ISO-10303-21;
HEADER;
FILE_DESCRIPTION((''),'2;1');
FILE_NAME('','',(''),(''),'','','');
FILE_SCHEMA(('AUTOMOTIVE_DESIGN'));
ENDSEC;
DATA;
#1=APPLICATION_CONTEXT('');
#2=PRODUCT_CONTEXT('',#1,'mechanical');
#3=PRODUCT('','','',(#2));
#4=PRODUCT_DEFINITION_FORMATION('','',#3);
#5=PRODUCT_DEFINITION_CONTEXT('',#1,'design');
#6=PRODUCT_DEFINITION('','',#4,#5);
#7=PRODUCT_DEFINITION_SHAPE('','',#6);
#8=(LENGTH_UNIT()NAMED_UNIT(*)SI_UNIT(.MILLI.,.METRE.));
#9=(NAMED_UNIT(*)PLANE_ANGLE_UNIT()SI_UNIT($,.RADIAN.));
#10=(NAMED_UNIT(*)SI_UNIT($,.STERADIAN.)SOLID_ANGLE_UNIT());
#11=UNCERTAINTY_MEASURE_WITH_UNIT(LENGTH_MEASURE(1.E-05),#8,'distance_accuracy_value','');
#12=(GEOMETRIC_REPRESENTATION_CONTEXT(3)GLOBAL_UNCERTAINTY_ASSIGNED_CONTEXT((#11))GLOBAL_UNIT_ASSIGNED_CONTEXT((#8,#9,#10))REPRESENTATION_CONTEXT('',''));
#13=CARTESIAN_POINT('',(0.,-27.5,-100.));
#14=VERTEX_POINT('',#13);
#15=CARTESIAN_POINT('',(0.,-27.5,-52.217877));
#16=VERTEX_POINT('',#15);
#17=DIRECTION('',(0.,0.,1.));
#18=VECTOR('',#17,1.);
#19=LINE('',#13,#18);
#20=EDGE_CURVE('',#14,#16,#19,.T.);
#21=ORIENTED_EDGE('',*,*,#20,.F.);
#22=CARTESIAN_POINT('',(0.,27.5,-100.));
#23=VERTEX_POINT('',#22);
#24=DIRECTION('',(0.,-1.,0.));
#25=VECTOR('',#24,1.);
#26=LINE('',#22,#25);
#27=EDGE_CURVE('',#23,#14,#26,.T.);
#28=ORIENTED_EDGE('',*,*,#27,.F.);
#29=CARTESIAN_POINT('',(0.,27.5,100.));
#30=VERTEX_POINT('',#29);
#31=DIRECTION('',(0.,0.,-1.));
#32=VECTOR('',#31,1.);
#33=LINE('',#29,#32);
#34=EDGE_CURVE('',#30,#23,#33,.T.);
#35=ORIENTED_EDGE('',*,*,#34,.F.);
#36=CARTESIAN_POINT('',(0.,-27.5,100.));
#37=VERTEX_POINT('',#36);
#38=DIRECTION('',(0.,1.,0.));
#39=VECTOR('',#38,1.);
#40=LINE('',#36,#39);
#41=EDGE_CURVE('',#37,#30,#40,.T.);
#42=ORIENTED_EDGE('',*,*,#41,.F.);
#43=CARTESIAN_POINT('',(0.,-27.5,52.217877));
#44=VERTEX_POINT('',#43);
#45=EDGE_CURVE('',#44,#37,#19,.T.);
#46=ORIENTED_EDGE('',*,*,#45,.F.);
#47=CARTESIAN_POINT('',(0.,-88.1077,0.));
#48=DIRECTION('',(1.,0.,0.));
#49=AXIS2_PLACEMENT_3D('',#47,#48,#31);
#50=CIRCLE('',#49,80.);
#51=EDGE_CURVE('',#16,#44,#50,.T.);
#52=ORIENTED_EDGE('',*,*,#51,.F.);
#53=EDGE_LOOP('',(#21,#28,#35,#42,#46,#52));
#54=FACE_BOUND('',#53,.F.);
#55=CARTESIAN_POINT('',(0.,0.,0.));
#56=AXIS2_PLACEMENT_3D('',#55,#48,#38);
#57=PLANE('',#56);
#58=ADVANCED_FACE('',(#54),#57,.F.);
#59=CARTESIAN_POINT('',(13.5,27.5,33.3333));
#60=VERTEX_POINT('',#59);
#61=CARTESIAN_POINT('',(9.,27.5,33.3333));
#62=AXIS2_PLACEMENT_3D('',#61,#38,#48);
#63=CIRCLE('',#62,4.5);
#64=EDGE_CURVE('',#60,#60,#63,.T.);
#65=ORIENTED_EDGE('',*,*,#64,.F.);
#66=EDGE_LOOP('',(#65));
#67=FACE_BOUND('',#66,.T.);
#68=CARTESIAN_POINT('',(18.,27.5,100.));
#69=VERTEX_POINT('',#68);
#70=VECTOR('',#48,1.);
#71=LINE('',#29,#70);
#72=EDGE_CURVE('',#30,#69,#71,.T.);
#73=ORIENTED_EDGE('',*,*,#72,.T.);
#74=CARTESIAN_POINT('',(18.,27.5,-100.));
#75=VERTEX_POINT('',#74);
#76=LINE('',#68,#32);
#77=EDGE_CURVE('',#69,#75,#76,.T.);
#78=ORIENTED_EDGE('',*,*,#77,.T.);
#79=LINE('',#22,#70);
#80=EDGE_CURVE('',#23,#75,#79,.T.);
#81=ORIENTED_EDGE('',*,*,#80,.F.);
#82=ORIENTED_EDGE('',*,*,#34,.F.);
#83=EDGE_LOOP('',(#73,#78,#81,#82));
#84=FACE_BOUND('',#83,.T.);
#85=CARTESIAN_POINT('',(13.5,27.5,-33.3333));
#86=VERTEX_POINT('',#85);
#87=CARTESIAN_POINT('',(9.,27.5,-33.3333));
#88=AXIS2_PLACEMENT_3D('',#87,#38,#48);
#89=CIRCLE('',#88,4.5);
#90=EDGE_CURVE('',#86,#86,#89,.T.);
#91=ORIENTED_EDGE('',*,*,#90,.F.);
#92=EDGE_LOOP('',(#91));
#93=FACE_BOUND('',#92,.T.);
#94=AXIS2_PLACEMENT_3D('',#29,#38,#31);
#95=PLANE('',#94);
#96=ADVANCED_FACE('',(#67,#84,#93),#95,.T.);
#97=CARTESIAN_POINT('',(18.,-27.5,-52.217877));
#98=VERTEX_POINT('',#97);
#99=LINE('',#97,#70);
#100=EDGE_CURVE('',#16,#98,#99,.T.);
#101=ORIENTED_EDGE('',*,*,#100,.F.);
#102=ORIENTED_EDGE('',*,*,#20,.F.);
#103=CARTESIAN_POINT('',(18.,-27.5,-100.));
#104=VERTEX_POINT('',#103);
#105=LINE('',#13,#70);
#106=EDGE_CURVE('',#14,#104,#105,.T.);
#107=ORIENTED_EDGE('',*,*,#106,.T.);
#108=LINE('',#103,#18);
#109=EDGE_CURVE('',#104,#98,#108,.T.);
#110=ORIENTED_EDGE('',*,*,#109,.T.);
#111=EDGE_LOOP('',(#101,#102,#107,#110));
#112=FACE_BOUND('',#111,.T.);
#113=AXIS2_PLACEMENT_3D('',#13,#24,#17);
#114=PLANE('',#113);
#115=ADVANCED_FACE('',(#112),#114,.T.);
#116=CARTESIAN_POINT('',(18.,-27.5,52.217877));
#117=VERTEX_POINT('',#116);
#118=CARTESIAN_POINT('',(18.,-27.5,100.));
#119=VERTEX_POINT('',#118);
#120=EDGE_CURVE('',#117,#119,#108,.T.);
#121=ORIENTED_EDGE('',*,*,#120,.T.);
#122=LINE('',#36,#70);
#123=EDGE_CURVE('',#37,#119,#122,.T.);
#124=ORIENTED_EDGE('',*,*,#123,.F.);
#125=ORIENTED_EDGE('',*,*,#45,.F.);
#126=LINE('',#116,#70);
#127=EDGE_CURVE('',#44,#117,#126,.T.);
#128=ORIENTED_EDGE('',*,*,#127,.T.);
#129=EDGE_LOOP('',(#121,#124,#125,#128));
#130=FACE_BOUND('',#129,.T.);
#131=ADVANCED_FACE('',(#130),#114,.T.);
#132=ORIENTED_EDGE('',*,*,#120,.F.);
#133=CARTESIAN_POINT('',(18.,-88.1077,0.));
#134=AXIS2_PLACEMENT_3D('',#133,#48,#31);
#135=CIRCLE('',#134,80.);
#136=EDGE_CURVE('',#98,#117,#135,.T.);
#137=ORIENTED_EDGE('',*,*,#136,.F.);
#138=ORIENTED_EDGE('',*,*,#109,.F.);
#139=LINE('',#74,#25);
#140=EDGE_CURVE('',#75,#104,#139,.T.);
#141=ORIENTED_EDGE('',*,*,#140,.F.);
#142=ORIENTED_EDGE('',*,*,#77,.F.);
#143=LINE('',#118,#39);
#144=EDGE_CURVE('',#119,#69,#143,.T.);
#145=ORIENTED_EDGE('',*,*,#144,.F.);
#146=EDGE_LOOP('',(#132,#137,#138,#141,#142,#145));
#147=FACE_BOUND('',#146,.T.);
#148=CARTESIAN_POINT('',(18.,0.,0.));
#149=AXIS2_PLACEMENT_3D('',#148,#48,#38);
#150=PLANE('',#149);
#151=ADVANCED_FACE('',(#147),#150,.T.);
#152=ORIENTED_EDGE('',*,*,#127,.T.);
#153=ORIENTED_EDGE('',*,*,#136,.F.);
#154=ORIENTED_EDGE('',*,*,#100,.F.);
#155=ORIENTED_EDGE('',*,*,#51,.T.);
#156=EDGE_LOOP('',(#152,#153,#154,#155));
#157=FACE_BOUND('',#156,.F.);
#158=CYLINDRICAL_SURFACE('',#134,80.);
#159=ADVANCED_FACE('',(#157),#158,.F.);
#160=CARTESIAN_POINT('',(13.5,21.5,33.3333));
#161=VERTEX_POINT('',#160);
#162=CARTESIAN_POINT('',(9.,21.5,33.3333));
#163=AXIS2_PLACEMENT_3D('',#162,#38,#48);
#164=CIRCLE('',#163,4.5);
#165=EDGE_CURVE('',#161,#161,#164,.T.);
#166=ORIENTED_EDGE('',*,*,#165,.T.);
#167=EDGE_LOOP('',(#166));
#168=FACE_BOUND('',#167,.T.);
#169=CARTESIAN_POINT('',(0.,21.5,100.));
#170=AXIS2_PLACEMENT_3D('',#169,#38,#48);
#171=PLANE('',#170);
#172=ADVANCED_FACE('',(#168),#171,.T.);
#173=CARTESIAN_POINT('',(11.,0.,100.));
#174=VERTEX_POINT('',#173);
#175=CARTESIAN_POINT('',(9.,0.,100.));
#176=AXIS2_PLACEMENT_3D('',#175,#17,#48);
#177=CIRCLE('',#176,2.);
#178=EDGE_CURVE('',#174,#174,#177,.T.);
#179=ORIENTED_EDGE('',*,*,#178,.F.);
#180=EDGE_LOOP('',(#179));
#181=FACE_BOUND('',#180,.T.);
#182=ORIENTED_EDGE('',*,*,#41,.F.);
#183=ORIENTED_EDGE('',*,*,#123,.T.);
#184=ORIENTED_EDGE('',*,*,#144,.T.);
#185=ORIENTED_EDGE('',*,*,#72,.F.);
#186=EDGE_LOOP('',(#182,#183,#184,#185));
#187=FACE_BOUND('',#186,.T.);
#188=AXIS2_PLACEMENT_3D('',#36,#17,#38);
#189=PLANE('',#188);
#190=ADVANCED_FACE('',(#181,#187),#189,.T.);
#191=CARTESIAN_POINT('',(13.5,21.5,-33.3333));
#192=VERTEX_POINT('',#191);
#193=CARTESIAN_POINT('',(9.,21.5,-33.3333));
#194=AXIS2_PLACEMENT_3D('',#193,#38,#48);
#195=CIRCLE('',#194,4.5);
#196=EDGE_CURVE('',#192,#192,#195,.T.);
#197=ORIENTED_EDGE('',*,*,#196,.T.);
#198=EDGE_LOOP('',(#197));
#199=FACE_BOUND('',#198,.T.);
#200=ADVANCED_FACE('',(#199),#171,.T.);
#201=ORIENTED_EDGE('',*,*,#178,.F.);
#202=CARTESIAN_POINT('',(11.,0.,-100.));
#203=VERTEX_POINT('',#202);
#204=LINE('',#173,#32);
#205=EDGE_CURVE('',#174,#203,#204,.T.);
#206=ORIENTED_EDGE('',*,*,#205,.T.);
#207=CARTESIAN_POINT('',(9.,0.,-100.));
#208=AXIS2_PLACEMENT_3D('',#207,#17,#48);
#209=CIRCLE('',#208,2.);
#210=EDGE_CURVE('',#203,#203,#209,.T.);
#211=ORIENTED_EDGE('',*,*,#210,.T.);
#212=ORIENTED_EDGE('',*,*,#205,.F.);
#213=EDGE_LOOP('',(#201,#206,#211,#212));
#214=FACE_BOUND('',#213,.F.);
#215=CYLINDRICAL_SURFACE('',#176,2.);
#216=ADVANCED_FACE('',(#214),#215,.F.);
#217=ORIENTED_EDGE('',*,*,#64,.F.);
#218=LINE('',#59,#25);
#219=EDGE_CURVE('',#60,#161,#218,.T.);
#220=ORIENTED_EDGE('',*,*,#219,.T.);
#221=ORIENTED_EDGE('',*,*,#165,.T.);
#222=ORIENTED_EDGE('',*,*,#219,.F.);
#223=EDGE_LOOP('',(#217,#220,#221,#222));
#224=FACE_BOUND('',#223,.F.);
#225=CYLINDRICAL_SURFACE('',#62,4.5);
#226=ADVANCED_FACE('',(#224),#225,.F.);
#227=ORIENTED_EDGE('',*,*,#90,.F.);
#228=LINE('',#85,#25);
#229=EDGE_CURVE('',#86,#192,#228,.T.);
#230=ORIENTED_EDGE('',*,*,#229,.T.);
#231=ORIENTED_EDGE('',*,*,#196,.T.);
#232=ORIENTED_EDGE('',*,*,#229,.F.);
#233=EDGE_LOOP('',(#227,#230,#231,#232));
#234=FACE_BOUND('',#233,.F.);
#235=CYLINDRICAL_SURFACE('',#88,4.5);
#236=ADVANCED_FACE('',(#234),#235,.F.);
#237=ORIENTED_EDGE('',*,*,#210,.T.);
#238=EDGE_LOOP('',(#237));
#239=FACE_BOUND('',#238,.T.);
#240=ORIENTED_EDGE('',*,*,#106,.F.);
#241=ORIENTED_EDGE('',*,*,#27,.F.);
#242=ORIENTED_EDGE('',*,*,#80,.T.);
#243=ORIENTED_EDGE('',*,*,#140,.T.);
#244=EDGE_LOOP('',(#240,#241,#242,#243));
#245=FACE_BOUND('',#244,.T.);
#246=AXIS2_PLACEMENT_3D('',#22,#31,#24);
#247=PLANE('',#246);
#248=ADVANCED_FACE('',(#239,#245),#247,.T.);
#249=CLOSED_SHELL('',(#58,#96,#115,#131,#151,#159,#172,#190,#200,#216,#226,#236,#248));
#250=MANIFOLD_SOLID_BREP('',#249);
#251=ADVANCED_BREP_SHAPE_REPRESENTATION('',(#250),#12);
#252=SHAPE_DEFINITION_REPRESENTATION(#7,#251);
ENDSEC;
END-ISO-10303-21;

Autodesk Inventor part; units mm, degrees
ref_plane "YZ Plane" through (0, 0, 0) normal (1, 0, 0) x (0, 1, 0)
ref_plane "XZ Plane" through (0, 0, 0) normal (0, 1, 0) x (-1, 0, 0)
ref_plane "XY Plane" through (0, 0, 0) normal (0, 0, 1) x (1, 0, 0)
sketch "Boceto1" plane through (0, 0, 0) normal (1, 0, 0) x (0, 1, 0)
  line L0 (27.5, -100) -> (-27.5, -100)
  line L1 (-27.5, -100) -> (-27.5, 100)
  line L2 (-27.5, 100) -> (27.5, 100)
  line L3 (27.5, 100) -> (27.5, -100)
  line L4 (27.5, -100) -> (-27.5, 100) construction
  line L5 (-27.5, -100) -> (27.5, 100) construction
  point P0 (0, 0)
  dimension "alto" = 55
  dimension "ancho" = 200
extrude "Extrusión1" add sketch "Boceto1" along normal blind 18
sketch "Boceto2" plane through (0, 27.5, 100) normal (0, 1, 0) x (1, 0, 0)
  circle A0 centre (9, 66.6667) radius 4.5
  circle A1 centre (9, 133.3333) radius 4.5
  line L0 (0, 0) -> (18, 0) projected
  line L1 (0, 200) -> (18, 200) projected
  line L2 (18, 200) -> (18, 0) projected
  point P0 (0, 100)
  dimension "d4" = 9
  dimension "d5" = 9
  dimension "alto1" = 66.6667
  dimension "d7" = 66.6667
  dimension "d8" = 9
  dimension "d9" = 9
extrude "Extrusión2" cut sketch "Boceto2" against normal blind 6
sketch "Boceto3" plane through (18, 0, 0) normal (1, 0, 0) x (0, 0, -1)
  circle A0 centre (0, -88.1077) radius 80
  line L0 (-100, 27.5) -> (-100, -27.5) projected
  point P0 (0, 0)
  dimension "radio" = 160
  dimension "d14" = 100
extrude "Extrusión3" cut sketch "Boceto3" against normal blind 18
sketch "Boceto4" plane through (0, -27.5, 100) normal (0, 0, 1) x (1, 0, 0)
  circle A0 centre (9, 27.5) radius 2
  line L0 (0, 55) -> (18, 55) projected
  point P0 (0, 27.5)
  point P1 (9, 55)
  dimension "d17" = 4
  dimension "d18" = 27.5
extrude "Extrusión4" cut sketch "Boceto4" against normal blind 290
equation "\"d4\" = 0.5 * grosor"
equation "\"d5\" = d4"
equation "\"d7\" = alto1"
equation "\"d8\" = d9"
equation "\"d9\" = 0.5 * grosor"
equation "\"d10\" = 0.333333 * grosor"
equation "\"d14\" = 0.5 * ancho"
equation "\"d15\" = grosor"
equation "\"grosor\" = 18"
properties part number "APM_003-1"
